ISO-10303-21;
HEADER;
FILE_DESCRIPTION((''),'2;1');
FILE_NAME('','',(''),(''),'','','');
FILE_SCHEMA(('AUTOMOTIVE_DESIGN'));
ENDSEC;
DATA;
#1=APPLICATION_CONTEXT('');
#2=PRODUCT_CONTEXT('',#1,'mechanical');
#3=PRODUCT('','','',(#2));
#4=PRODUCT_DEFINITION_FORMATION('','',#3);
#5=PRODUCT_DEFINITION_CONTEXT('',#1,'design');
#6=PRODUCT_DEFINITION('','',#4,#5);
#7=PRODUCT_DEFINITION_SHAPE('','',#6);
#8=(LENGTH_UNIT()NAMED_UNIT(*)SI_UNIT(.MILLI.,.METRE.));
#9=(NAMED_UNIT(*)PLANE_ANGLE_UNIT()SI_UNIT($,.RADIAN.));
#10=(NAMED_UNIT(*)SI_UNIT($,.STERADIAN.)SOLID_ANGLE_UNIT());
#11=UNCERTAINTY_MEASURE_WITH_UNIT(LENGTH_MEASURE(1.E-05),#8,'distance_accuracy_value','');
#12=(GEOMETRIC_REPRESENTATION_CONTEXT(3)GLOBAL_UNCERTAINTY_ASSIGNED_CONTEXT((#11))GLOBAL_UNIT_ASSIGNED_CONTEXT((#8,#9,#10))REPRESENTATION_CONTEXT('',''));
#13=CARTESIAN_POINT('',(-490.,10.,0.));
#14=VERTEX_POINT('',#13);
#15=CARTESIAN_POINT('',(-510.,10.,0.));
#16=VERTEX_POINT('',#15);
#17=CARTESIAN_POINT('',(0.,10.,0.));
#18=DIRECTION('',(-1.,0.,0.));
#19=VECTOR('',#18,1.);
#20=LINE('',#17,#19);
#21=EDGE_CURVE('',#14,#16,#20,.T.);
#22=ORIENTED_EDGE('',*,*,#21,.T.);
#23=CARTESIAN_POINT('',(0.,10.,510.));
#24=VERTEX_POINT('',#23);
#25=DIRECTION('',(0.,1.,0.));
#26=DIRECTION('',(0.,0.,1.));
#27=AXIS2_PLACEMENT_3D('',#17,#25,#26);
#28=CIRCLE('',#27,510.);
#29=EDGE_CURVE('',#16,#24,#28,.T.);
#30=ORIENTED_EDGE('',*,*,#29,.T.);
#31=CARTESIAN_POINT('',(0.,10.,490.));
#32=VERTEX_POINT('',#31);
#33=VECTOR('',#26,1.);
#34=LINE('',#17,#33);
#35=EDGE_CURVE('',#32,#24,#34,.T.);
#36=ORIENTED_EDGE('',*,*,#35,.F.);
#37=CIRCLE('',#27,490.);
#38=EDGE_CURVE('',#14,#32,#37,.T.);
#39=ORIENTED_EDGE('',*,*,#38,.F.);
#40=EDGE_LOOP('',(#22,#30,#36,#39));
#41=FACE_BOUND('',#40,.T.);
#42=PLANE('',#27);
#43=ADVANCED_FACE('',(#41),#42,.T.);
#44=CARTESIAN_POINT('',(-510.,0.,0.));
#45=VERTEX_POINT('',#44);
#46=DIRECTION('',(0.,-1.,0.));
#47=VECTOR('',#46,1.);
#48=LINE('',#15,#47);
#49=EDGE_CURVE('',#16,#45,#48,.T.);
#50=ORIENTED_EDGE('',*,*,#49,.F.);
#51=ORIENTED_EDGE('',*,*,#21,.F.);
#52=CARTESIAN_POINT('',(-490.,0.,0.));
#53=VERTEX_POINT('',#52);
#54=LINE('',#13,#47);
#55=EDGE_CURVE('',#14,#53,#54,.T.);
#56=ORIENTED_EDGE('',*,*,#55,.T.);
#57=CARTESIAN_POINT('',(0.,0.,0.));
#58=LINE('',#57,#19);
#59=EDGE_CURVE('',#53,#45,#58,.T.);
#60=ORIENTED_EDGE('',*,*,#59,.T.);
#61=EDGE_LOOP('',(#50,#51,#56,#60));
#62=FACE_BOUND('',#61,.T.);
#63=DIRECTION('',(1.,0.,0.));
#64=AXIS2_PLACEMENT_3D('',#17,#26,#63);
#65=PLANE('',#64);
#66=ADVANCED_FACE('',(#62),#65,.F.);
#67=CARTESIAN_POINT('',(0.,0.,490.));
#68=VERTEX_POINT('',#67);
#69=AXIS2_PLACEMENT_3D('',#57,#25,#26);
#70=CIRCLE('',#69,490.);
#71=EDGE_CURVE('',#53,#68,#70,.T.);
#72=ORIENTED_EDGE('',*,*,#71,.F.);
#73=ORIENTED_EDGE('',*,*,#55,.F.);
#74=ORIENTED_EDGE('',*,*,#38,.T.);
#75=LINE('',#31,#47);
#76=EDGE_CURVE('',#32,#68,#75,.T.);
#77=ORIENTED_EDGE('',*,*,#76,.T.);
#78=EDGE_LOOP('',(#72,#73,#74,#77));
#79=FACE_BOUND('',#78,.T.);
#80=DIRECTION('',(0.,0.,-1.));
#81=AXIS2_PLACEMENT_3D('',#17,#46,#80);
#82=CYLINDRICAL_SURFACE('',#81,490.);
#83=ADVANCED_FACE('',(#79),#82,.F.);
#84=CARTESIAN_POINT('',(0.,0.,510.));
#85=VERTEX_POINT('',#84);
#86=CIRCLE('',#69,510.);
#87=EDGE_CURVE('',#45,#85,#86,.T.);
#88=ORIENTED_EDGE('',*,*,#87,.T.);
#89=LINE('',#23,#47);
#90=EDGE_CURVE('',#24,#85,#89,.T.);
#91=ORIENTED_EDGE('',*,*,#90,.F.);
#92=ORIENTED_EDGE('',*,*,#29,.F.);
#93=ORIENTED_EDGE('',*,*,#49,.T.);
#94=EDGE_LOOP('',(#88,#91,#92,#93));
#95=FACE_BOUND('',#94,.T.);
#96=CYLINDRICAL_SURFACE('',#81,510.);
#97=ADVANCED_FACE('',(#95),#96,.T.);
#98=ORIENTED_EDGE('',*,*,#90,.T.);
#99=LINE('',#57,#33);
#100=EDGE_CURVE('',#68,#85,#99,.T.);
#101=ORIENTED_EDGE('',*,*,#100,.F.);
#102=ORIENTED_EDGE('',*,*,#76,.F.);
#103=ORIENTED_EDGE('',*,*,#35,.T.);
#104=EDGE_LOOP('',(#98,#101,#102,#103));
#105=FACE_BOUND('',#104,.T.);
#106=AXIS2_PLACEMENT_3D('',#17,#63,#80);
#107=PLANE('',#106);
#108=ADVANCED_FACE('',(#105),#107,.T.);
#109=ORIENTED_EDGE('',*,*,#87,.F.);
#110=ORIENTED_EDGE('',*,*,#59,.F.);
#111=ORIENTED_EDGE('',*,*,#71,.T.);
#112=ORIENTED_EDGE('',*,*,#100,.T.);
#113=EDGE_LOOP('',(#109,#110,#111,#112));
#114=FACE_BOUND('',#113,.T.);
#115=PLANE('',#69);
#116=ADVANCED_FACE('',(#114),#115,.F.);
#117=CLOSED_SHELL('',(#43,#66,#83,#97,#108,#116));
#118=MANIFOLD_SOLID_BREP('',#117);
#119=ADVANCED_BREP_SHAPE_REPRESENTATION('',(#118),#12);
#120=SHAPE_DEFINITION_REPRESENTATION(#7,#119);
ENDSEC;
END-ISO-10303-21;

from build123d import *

# Parameters (mm, degrees)
BOSS_EXTRUDE1_DEPTH = 10


with BuildPart() as part:
    # Sketch1 → Boss-Extrude1 (new body)
    with BuildSketch(Plane(origin=(0, 0, 0), x_dir=(1, 0, 0), z_dir=(0, 1, 0))):
        with BuildLine():
            ThreePointArc((0, -490), (-346.482322781, -346.482322781), (-490, 0))
            Line((-490, 0), (-510, 0))
            ThreePointArc((-510, 0), (-360.624458405, -360.624458405), (0, -510))
            Line((0, -510), (0, -490))
        make_face()
    extrude(amount=BOSS_EXTRUDE1_DEPTH)


solid = part.part
